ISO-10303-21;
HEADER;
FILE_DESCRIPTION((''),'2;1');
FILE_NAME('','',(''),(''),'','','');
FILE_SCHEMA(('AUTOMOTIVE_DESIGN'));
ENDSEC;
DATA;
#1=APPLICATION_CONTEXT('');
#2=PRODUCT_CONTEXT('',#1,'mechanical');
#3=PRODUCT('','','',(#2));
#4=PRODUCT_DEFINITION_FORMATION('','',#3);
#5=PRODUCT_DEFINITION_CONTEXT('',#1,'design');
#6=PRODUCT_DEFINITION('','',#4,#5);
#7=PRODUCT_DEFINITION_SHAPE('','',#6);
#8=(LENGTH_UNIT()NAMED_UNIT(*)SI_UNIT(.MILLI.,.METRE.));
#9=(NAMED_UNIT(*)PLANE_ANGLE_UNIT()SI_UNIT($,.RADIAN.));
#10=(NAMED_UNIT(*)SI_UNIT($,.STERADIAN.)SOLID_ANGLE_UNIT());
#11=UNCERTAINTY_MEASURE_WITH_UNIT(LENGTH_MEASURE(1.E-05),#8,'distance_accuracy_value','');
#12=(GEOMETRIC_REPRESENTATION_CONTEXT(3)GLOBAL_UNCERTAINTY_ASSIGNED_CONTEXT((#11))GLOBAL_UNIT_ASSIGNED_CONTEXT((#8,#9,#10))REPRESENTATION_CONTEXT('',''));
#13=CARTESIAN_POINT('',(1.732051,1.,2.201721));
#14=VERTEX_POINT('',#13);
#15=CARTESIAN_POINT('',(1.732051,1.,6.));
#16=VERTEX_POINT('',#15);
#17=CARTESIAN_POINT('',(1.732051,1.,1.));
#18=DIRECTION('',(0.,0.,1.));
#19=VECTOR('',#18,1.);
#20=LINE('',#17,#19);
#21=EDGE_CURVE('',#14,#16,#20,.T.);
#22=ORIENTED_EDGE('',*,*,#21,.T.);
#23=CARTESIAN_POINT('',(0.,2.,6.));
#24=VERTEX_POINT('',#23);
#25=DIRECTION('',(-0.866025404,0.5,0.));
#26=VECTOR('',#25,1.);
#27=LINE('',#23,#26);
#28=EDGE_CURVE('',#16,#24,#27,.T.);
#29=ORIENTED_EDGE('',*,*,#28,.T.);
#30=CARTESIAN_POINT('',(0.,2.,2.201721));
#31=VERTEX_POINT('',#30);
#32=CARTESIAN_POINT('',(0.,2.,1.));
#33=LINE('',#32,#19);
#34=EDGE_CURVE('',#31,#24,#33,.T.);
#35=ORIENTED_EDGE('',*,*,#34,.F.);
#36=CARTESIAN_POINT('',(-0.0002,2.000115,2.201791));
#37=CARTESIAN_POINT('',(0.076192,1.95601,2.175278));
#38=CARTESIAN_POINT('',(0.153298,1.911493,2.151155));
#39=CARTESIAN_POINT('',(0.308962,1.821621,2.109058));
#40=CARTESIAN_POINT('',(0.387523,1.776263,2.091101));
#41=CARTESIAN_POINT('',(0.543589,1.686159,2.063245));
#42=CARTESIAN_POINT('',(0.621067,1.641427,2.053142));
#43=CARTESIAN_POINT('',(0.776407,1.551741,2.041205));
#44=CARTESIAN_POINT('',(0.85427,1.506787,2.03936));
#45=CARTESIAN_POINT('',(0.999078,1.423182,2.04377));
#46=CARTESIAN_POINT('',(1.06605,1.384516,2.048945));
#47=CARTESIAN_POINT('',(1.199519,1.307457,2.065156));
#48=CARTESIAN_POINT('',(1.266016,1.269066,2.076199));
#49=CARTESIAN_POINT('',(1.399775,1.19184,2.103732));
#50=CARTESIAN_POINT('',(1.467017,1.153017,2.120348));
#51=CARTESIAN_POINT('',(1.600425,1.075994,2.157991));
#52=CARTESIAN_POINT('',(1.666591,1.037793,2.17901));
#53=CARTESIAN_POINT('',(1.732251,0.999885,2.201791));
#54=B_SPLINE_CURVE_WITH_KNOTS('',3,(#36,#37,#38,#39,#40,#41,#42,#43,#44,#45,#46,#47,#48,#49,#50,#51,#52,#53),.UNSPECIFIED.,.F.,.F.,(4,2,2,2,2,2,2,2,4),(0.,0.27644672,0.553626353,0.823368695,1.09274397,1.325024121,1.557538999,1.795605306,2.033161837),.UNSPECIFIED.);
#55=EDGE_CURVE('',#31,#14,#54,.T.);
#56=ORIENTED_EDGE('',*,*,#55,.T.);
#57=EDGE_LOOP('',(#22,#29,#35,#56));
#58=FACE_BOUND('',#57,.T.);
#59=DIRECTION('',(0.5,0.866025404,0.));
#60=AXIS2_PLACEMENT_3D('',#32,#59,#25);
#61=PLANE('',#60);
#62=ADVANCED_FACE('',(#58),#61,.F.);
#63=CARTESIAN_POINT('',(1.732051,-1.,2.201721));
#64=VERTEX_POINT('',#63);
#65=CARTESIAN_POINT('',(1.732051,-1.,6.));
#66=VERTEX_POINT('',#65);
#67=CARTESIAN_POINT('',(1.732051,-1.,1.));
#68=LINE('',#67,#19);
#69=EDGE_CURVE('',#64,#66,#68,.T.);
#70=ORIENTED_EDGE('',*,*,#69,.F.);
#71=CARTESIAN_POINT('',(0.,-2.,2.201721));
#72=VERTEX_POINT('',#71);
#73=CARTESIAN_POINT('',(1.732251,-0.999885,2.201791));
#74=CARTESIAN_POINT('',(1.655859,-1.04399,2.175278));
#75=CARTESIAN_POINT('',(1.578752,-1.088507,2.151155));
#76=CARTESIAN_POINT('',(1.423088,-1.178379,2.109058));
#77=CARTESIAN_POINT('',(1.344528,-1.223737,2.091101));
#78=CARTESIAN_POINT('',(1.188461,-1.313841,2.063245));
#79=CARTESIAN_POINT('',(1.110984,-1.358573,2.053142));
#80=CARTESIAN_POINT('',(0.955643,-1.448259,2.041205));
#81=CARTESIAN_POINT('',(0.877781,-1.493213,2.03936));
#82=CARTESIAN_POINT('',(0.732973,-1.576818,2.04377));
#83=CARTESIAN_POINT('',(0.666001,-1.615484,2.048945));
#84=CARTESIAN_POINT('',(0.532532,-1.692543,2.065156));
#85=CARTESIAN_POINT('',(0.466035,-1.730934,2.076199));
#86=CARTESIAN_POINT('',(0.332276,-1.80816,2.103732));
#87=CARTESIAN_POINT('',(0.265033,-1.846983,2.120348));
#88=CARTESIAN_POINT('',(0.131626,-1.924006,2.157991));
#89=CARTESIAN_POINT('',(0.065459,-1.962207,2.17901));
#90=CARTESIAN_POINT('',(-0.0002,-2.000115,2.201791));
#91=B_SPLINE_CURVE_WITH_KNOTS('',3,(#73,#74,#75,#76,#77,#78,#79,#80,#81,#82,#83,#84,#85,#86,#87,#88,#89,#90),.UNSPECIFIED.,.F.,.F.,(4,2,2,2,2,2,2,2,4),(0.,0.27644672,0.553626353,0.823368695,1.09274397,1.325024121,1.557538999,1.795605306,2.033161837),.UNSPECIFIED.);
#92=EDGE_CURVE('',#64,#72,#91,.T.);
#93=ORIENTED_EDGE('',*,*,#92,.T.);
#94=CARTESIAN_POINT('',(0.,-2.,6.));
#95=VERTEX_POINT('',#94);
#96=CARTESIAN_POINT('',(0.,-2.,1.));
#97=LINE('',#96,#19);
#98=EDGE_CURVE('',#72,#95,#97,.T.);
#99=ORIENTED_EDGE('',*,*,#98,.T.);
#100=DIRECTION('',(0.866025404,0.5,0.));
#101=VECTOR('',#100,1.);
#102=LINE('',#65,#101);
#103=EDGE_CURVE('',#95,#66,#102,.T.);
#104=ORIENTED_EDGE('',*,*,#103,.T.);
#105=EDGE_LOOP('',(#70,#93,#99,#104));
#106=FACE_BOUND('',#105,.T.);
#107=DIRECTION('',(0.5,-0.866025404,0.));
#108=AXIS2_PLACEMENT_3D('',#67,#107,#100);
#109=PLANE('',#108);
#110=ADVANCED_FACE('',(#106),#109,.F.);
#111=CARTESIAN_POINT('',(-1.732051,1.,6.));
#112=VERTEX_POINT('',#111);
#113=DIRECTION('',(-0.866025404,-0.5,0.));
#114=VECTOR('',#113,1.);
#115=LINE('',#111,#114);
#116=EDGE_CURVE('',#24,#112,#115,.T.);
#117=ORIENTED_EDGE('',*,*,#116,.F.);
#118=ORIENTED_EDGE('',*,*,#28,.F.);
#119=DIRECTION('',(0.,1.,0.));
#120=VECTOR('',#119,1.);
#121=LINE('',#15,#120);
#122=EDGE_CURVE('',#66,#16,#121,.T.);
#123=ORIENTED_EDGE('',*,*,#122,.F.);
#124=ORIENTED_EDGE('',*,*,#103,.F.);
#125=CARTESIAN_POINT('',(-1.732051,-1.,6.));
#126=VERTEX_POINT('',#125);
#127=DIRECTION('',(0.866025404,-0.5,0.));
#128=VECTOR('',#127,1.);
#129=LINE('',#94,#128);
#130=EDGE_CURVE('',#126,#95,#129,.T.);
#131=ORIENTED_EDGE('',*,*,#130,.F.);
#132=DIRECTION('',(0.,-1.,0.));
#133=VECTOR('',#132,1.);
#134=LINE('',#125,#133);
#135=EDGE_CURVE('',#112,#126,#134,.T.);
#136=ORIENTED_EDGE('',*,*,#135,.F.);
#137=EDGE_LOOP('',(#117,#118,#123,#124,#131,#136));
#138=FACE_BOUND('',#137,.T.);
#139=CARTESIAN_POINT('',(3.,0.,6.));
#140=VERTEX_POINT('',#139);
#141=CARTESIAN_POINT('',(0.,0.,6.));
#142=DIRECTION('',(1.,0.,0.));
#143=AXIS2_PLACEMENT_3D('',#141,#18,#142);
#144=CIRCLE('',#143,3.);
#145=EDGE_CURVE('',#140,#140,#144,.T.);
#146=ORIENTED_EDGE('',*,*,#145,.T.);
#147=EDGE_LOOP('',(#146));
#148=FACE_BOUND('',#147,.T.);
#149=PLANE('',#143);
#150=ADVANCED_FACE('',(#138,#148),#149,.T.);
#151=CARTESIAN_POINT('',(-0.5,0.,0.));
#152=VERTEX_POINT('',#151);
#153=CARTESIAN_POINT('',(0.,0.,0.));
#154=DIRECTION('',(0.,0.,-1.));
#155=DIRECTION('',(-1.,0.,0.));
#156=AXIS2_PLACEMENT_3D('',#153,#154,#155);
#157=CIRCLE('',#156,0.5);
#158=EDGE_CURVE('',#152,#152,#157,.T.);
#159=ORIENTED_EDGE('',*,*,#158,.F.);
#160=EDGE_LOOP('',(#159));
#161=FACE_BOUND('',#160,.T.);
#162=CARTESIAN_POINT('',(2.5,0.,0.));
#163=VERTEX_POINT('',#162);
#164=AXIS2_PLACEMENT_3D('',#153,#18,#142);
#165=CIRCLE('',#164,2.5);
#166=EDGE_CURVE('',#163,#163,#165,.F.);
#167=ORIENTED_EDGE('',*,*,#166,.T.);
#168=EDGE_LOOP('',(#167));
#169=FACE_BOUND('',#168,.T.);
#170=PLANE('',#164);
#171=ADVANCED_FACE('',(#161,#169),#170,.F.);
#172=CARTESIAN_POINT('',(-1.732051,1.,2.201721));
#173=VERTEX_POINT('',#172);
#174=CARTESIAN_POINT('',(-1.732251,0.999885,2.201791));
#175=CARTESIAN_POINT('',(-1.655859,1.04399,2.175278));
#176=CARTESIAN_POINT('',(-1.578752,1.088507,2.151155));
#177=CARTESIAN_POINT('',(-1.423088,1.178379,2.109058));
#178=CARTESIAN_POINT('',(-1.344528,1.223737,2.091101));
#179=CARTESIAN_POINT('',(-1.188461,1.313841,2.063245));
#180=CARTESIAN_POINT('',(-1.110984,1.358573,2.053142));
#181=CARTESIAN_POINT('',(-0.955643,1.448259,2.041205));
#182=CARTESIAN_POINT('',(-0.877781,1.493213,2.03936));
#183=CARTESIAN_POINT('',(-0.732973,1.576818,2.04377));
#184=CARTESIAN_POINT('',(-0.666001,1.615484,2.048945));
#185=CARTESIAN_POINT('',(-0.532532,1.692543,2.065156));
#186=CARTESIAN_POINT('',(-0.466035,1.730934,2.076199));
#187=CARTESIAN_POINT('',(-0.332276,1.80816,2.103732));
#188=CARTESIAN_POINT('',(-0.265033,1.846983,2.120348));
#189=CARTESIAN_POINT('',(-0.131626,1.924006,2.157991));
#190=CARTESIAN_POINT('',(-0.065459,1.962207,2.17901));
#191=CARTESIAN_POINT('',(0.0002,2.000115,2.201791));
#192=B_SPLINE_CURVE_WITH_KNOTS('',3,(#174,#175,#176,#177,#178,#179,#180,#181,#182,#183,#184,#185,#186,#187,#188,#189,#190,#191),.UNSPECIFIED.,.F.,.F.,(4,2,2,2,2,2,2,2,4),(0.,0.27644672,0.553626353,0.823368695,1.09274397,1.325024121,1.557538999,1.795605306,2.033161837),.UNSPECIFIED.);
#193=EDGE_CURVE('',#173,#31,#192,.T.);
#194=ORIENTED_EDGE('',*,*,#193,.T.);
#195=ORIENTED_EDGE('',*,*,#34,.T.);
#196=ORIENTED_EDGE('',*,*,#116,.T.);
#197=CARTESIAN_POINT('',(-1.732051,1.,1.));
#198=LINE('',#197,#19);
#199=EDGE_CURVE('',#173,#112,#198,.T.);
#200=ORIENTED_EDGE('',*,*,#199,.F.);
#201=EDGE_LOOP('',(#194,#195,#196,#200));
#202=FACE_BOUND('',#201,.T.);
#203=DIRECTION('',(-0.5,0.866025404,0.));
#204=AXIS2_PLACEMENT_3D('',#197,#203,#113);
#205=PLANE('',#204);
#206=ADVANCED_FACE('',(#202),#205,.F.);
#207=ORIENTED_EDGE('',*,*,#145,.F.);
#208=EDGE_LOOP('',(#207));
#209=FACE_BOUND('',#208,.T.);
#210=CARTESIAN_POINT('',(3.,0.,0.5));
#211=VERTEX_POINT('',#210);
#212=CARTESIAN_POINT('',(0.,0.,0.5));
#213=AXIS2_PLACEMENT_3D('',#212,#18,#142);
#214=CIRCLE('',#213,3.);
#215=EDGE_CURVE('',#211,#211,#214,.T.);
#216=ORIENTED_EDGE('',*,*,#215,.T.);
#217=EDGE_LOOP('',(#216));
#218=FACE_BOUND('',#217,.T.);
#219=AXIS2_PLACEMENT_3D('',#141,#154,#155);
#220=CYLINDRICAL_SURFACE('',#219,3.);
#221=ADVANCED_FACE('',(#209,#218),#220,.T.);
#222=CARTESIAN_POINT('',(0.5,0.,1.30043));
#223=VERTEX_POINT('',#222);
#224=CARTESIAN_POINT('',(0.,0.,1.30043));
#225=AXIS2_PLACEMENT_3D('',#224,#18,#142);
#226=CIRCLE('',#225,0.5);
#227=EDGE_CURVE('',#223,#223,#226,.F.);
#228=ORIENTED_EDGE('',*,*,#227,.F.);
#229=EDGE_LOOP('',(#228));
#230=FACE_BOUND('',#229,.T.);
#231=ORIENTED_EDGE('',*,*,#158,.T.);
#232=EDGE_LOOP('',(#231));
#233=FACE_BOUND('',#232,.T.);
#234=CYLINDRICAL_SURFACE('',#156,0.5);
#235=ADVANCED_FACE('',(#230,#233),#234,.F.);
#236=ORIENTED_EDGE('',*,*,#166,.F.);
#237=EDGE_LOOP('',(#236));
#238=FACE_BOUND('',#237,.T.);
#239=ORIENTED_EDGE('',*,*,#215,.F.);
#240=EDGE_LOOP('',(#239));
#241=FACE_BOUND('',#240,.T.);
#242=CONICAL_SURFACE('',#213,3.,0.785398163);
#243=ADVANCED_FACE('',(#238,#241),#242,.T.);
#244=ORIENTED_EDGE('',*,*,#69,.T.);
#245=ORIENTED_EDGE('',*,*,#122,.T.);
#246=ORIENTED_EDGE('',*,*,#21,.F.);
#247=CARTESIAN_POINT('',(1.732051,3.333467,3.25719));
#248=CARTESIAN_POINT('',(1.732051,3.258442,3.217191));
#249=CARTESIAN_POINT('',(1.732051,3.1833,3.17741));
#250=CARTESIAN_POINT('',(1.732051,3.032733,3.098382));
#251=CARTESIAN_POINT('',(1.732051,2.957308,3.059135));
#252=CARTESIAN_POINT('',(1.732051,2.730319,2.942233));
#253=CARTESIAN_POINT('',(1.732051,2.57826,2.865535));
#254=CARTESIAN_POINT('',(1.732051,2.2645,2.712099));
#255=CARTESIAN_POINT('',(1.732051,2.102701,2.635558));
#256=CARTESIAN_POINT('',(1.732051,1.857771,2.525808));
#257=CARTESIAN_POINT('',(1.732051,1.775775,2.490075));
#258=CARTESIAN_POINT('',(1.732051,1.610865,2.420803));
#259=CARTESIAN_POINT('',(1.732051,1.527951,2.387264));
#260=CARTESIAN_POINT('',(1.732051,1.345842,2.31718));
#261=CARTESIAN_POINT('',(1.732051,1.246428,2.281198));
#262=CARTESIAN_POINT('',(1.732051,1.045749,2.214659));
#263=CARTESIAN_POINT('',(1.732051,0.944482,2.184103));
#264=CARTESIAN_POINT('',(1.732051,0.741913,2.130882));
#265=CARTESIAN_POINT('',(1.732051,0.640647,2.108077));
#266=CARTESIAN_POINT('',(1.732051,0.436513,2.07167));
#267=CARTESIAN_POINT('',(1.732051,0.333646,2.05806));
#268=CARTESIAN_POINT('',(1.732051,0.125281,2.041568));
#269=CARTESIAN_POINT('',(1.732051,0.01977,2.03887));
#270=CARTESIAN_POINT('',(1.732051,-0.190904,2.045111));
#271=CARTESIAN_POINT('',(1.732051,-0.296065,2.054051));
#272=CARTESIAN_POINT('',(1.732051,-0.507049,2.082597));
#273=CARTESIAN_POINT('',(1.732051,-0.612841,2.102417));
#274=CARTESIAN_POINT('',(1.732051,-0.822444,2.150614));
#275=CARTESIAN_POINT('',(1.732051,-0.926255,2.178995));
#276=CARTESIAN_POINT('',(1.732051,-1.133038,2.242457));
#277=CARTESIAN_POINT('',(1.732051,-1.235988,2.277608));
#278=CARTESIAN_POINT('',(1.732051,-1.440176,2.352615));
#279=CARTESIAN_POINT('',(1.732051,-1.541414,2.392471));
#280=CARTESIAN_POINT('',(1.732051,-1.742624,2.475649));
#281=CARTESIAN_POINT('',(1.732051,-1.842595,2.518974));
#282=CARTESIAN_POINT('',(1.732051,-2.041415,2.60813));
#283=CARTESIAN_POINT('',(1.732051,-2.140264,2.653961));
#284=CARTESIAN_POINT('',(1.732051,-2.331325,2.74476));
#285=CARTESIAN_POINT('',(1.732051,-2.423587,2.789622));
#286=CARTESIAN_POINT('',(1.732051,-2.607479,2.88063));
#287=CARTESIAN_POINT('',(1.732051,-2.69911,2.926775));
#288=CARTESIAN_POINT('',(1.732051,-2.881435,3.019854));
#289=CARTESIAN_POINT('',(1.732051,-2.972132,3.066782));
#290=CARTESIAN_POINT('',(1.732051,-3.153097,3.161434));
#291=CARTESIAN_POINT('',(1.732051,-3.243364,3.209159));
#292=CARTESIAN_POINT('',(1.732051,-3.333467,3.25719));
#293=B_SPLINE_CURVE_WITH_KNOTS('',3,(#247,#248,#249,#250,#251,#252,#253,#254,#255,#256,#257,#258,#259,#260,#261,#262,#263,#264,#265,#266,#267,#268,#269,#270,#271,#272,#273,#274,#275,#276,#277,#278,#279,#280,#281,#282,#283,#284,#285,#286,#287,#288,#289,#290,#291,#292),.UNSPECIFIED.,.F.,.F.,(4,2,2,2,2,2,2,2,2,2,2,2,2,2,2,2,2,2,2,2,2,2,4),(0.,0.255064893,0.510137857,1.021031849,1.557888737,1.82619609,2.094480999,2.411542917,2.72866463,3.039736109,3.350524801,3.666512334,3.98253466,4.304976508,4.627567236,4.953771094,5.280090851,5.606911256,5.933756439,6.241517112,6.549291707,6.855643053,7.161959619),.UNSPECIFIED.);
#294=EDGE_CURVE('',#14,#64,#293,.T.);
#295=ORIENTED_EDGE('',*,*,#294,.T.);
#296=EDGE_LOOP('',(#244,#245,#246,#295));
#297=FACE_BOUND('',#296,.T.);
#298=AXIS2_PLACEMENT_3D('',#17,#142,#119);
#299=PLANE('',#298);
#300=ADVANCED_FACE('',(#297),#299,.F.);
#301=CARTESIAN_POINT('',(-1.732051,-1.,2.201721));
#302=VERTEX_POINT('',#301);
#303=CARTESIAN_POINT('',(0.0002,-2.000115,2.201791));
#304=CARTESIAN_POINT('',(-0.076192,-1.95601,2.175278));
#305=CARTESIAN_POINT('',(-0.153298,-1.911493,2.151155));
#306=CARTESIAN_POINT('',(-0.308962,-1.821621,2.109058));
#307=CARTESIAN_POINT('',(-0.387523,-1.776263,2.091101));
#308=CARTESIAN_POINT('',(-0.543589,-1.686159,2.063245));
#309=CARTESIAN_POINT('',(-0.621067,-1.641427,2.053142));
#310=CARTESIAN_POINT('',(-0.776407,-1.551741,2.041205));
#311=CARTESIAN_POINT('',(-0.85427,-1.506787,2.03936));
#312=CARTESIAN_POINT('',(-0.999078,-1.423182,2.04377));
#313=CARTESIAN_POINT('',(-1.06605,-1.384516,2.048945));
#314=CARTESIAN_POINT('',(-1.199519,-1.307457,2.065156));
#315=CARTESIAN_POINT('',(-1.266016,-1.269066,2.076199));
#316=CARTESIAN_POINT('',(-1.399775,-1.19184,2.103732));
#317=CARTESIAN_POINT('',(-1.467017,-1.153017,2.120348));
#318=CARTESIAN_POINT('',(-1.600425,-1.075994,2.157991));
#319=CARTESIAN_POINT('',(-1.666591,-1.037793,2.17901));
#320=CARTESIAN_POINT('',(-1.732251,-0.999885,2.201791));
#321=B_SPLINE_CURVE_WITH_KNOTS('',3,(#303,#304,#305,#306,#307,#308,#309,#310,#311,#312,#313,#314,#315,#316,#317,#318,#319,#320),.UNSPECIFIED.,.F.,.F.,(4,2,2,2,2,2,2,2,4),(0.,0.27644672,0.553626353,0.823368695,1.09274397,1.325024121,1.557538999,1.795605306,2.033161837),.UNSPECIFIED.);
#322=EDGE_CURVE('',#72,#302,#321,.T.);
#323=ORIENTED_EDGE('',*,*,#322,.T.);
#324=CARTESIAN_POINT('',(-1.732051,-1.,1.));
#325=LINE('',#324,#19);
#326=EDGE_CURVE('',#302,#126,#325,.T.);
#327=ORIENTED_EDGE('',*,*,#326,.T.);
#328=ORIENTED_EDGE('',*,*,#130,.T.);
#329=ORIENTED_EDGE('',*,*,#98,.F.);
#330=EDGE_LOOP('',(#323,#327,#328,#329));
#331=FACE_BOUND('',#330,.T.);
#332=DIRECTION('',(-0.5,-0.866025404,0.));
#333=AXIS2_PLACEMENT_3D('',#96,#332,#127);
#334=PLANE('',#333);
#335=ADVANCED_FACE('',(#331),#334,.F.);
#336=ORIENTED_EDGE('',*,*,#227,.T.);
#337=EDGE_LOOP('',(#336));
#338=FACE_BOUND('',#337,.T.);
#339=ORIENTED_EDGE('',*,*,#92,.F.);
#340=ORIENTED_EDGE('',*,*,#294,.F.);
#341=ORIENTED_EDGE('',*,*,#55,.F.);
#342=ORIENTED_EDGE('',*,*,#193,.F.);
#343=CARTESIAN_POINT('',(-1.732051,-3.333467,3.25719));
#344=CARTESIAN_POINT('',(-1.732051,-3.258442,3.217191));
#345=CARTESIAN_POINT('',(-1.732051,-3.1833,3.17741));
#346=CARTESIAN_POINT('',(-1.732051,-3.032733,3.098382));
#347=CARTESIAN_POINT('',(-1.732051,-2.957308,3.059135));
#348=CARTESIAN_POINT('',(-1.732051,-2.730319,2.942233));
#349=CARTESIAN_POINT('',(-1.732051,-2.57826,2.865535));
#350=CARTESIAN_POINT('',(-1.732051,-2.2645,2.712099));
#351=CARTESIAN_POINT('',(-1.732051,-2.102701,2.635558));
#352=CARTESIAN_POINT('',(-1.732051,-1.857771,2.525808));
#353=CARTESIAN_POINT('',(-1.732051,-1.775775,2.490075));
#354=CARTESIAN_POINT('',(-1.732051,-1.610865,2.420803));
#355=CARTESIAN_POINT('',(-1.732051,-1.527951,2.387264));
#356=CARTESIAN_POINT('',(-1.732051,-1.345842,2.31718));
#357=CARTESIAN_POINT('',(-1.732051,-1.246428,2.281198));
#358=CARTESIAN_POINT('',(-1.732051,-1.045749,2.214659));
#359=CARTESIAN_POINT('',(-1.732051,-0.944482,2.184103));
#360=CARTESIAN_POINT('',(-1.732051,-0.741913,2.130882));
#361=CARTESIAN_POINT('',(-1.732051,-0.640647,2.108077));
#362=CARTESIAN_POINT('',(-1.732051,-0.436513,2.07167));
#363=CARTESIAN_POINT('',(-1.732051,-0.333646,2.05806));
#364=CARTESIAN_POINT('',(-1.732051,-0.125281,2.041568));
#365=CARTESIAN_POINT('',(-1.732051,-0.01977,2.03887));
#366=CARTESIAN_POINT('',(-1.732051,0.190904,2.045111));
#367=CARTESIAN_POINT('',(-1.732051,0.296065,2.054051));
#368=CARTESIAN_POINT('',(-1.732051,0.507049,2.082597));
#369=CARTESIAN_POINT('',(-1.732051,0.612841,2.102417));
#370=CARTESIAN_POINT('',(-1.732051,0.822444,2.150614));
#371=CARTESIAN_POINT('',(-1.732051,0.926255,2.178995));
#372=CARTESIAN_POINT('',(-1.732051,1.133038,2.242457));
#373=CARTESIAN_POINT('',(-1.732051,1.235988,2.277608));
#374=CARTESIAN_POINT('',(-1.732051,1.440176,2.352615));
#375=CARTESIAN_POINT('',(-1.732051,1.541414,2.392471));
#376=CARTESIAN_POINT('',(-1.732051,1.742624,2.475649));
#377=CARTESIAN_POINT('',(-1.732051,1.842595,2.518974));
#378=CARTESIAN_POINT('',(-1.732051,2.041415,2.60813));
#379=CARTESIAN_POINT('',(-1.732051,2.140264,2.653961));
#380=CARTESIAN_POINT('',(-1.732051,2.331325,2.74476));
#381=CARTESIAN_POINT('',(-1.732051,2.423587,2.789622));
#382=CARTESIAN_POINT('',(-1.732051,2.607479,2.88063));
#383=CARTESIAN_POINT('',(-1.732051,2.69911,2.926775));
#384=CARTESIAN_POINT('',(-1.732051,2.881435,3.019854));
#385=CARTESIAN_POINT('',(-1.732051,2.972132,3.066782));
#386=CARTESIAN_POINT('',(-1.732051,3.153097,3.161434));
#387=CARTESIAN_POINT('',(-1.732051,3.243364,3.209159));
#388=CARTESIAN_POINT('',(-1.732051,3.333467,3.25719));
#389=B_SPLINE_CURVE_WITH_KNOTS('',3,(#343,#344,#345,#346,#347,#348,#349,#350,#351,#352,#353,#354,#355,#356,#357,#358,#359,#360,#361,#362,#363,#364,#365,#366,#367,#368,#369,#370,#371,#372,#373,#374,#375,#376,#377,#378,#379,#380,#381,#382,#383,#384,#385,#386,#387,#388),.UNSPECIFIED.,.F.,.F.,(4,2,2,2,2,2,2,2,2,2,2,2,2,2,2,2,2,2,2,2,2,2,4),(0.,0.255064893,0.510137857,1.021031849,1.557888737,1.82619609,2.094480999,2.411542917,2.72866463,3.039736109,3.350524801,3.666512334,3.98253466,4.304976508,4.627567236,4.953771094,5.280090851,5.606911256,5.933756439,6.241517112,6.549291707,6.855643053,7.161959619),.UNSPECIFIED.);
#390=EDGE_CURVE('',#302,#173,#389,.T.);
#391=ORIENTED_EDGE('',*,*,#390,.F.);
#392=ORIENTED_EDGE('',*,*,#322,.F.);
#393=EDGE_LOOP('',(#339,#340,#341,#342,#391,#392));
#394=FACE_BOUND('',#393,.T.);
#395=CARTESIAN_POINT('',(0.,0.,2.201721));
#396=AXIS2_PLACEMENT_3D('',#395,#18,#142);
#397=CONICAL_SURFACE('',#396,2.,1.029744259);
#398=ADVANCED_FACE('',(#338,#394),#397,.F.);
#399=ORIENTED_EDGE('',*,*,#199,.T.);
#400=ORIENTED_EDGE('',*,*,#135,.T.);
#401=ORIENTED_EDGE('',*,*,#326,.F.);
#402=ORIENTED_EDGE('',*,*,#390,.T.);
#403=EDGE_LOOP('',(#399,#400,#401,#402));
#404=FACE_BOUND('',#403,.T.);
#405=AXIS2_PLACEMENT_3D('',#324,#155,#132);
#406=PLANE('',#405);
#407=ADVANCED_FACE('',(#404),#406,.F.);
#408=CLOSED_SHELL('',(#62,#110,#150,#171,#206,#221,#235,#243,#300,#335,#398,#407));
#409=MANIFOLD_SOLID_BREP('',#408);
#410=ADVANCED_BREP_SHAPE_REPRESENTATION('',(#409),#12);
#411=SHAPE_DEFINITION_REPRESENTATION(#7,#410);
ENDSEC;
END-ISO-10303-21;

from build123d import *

# Parameters (mm, degrees)
ESQUISSE1_R                       = 3
BOSS_EXTRU_1_DEPTH                = 6
CHANFREIN1_SIZE                   = 0.5
DIAM_TRE_DU_PER_AGE_4_0_4_1_D     = 4
DIAM_TRE_DU_PER_AGE_4_0_4_1_DEPTH = 3.798278762
DIAM_TRE_DU_PER_AGE_4_0_4_1_TIP   = 1.201721238
BOSS_EXTRU_3_START                = -5
ESQUISSE2_R                       = 3
BOSS_EXTRU_3_DEPTH                = 5
DIAM_TRE_DU_PER_AGE_1_0_1_1_D     = 1
DIAM_TRE_DU_PER_AGE_1_0_1_1_DEPTH = 1.5
DIAM_TRE_DU_PER_AGE_1_0_1_1_TIP   = 0.30043031


with BuildPart() as part:
    # Esquisse1 → Boss.-Extru.1 (new body)
    with BuildSketch(Plane.XY):
        Circle(ESQUISSE1_R)
    extrude(amount=BOSS_EXTRU_1_DEPTH)

    # Chanfrein1
    chanfrein1_edges = [part.edges().sort_by_distance(p)[0] for p in [
        (-3, 0, 0),
    ]]
    chamfer(chanfrein1_edges, length=CHANFREIN1_SIZE)

    # Diamètre du perçage Ø4.0 (4)1
    with Locations(Plane.XY.offset(6)):
        with Locations((0, 0)):
            Hole(DIAM_TRE_DU_PER_AGE_4_0_4_1_D / 2, depth=DIAM_TRE_DU_PER_AGE_4_0_4_1_DEPTH)
            with Locations((0, 0, -(DIAM_TRE_DU_PER_AGE_4_0_4_1_DEPTH + DIAM_TRE_DU_PER_AGE_4_0_4_1_TIP / 2))):  # 118° drill point
                Cone(0, DIAM_TRE_DU_PER_AGE_4_0_4_1_D / 2, DIAM_TRE_DU_PER_AGE_4_0_4_1_TIP, mode=Mode.SUBTRACT)

    # Esquisse2 → Boss.-Extru.3 (add)
    with BuildSketch(Plane.XY.offset(6).offset(BOSS_EXTRU_3_START)):
        Circle(ESQUISSE2_R)
        Polygon((0, 2), (1.732050808, 1), (1.732050808, -1), (0, -2), (-1.732050808, -1), (-1.732050808, 1), align=None, mode=Mode.SUBTRACT)
    extrude(amount=BOSS_EXTRU_3_DEPTH)

    # Diamètre du perçage Ø1.0 (1)1
    with Locations(Plane(origin=(0, 0, 0), x_dir=(-1, 0, 0), z_dir=(0, 0, -1))):
        with Locations((0, 0)):
            Hole(DIAM_TRE_DU_PER_AGE_1_0_1_1_D / 2, depth=DIAM_TRE_DU_PER_AGE_1_0_1_1_DEPTH)
            with Locations((0, 0, -(DIAM_TRE_DU_PER_AGE_1_0_1_1_DEPTH + DIAM_TRE_DU_PER_AGE_1_0_1_1_TIP / 2))):  # 118° drill point
                Cone(0, DIAM_TRE_DU_PER_AGE_1_0_1_1_D / 2, DIAM_TRE_DU_PER_AGE_1_0_1_1_TIP, mode=Mode.SUBTRACT)


solid = part.part
